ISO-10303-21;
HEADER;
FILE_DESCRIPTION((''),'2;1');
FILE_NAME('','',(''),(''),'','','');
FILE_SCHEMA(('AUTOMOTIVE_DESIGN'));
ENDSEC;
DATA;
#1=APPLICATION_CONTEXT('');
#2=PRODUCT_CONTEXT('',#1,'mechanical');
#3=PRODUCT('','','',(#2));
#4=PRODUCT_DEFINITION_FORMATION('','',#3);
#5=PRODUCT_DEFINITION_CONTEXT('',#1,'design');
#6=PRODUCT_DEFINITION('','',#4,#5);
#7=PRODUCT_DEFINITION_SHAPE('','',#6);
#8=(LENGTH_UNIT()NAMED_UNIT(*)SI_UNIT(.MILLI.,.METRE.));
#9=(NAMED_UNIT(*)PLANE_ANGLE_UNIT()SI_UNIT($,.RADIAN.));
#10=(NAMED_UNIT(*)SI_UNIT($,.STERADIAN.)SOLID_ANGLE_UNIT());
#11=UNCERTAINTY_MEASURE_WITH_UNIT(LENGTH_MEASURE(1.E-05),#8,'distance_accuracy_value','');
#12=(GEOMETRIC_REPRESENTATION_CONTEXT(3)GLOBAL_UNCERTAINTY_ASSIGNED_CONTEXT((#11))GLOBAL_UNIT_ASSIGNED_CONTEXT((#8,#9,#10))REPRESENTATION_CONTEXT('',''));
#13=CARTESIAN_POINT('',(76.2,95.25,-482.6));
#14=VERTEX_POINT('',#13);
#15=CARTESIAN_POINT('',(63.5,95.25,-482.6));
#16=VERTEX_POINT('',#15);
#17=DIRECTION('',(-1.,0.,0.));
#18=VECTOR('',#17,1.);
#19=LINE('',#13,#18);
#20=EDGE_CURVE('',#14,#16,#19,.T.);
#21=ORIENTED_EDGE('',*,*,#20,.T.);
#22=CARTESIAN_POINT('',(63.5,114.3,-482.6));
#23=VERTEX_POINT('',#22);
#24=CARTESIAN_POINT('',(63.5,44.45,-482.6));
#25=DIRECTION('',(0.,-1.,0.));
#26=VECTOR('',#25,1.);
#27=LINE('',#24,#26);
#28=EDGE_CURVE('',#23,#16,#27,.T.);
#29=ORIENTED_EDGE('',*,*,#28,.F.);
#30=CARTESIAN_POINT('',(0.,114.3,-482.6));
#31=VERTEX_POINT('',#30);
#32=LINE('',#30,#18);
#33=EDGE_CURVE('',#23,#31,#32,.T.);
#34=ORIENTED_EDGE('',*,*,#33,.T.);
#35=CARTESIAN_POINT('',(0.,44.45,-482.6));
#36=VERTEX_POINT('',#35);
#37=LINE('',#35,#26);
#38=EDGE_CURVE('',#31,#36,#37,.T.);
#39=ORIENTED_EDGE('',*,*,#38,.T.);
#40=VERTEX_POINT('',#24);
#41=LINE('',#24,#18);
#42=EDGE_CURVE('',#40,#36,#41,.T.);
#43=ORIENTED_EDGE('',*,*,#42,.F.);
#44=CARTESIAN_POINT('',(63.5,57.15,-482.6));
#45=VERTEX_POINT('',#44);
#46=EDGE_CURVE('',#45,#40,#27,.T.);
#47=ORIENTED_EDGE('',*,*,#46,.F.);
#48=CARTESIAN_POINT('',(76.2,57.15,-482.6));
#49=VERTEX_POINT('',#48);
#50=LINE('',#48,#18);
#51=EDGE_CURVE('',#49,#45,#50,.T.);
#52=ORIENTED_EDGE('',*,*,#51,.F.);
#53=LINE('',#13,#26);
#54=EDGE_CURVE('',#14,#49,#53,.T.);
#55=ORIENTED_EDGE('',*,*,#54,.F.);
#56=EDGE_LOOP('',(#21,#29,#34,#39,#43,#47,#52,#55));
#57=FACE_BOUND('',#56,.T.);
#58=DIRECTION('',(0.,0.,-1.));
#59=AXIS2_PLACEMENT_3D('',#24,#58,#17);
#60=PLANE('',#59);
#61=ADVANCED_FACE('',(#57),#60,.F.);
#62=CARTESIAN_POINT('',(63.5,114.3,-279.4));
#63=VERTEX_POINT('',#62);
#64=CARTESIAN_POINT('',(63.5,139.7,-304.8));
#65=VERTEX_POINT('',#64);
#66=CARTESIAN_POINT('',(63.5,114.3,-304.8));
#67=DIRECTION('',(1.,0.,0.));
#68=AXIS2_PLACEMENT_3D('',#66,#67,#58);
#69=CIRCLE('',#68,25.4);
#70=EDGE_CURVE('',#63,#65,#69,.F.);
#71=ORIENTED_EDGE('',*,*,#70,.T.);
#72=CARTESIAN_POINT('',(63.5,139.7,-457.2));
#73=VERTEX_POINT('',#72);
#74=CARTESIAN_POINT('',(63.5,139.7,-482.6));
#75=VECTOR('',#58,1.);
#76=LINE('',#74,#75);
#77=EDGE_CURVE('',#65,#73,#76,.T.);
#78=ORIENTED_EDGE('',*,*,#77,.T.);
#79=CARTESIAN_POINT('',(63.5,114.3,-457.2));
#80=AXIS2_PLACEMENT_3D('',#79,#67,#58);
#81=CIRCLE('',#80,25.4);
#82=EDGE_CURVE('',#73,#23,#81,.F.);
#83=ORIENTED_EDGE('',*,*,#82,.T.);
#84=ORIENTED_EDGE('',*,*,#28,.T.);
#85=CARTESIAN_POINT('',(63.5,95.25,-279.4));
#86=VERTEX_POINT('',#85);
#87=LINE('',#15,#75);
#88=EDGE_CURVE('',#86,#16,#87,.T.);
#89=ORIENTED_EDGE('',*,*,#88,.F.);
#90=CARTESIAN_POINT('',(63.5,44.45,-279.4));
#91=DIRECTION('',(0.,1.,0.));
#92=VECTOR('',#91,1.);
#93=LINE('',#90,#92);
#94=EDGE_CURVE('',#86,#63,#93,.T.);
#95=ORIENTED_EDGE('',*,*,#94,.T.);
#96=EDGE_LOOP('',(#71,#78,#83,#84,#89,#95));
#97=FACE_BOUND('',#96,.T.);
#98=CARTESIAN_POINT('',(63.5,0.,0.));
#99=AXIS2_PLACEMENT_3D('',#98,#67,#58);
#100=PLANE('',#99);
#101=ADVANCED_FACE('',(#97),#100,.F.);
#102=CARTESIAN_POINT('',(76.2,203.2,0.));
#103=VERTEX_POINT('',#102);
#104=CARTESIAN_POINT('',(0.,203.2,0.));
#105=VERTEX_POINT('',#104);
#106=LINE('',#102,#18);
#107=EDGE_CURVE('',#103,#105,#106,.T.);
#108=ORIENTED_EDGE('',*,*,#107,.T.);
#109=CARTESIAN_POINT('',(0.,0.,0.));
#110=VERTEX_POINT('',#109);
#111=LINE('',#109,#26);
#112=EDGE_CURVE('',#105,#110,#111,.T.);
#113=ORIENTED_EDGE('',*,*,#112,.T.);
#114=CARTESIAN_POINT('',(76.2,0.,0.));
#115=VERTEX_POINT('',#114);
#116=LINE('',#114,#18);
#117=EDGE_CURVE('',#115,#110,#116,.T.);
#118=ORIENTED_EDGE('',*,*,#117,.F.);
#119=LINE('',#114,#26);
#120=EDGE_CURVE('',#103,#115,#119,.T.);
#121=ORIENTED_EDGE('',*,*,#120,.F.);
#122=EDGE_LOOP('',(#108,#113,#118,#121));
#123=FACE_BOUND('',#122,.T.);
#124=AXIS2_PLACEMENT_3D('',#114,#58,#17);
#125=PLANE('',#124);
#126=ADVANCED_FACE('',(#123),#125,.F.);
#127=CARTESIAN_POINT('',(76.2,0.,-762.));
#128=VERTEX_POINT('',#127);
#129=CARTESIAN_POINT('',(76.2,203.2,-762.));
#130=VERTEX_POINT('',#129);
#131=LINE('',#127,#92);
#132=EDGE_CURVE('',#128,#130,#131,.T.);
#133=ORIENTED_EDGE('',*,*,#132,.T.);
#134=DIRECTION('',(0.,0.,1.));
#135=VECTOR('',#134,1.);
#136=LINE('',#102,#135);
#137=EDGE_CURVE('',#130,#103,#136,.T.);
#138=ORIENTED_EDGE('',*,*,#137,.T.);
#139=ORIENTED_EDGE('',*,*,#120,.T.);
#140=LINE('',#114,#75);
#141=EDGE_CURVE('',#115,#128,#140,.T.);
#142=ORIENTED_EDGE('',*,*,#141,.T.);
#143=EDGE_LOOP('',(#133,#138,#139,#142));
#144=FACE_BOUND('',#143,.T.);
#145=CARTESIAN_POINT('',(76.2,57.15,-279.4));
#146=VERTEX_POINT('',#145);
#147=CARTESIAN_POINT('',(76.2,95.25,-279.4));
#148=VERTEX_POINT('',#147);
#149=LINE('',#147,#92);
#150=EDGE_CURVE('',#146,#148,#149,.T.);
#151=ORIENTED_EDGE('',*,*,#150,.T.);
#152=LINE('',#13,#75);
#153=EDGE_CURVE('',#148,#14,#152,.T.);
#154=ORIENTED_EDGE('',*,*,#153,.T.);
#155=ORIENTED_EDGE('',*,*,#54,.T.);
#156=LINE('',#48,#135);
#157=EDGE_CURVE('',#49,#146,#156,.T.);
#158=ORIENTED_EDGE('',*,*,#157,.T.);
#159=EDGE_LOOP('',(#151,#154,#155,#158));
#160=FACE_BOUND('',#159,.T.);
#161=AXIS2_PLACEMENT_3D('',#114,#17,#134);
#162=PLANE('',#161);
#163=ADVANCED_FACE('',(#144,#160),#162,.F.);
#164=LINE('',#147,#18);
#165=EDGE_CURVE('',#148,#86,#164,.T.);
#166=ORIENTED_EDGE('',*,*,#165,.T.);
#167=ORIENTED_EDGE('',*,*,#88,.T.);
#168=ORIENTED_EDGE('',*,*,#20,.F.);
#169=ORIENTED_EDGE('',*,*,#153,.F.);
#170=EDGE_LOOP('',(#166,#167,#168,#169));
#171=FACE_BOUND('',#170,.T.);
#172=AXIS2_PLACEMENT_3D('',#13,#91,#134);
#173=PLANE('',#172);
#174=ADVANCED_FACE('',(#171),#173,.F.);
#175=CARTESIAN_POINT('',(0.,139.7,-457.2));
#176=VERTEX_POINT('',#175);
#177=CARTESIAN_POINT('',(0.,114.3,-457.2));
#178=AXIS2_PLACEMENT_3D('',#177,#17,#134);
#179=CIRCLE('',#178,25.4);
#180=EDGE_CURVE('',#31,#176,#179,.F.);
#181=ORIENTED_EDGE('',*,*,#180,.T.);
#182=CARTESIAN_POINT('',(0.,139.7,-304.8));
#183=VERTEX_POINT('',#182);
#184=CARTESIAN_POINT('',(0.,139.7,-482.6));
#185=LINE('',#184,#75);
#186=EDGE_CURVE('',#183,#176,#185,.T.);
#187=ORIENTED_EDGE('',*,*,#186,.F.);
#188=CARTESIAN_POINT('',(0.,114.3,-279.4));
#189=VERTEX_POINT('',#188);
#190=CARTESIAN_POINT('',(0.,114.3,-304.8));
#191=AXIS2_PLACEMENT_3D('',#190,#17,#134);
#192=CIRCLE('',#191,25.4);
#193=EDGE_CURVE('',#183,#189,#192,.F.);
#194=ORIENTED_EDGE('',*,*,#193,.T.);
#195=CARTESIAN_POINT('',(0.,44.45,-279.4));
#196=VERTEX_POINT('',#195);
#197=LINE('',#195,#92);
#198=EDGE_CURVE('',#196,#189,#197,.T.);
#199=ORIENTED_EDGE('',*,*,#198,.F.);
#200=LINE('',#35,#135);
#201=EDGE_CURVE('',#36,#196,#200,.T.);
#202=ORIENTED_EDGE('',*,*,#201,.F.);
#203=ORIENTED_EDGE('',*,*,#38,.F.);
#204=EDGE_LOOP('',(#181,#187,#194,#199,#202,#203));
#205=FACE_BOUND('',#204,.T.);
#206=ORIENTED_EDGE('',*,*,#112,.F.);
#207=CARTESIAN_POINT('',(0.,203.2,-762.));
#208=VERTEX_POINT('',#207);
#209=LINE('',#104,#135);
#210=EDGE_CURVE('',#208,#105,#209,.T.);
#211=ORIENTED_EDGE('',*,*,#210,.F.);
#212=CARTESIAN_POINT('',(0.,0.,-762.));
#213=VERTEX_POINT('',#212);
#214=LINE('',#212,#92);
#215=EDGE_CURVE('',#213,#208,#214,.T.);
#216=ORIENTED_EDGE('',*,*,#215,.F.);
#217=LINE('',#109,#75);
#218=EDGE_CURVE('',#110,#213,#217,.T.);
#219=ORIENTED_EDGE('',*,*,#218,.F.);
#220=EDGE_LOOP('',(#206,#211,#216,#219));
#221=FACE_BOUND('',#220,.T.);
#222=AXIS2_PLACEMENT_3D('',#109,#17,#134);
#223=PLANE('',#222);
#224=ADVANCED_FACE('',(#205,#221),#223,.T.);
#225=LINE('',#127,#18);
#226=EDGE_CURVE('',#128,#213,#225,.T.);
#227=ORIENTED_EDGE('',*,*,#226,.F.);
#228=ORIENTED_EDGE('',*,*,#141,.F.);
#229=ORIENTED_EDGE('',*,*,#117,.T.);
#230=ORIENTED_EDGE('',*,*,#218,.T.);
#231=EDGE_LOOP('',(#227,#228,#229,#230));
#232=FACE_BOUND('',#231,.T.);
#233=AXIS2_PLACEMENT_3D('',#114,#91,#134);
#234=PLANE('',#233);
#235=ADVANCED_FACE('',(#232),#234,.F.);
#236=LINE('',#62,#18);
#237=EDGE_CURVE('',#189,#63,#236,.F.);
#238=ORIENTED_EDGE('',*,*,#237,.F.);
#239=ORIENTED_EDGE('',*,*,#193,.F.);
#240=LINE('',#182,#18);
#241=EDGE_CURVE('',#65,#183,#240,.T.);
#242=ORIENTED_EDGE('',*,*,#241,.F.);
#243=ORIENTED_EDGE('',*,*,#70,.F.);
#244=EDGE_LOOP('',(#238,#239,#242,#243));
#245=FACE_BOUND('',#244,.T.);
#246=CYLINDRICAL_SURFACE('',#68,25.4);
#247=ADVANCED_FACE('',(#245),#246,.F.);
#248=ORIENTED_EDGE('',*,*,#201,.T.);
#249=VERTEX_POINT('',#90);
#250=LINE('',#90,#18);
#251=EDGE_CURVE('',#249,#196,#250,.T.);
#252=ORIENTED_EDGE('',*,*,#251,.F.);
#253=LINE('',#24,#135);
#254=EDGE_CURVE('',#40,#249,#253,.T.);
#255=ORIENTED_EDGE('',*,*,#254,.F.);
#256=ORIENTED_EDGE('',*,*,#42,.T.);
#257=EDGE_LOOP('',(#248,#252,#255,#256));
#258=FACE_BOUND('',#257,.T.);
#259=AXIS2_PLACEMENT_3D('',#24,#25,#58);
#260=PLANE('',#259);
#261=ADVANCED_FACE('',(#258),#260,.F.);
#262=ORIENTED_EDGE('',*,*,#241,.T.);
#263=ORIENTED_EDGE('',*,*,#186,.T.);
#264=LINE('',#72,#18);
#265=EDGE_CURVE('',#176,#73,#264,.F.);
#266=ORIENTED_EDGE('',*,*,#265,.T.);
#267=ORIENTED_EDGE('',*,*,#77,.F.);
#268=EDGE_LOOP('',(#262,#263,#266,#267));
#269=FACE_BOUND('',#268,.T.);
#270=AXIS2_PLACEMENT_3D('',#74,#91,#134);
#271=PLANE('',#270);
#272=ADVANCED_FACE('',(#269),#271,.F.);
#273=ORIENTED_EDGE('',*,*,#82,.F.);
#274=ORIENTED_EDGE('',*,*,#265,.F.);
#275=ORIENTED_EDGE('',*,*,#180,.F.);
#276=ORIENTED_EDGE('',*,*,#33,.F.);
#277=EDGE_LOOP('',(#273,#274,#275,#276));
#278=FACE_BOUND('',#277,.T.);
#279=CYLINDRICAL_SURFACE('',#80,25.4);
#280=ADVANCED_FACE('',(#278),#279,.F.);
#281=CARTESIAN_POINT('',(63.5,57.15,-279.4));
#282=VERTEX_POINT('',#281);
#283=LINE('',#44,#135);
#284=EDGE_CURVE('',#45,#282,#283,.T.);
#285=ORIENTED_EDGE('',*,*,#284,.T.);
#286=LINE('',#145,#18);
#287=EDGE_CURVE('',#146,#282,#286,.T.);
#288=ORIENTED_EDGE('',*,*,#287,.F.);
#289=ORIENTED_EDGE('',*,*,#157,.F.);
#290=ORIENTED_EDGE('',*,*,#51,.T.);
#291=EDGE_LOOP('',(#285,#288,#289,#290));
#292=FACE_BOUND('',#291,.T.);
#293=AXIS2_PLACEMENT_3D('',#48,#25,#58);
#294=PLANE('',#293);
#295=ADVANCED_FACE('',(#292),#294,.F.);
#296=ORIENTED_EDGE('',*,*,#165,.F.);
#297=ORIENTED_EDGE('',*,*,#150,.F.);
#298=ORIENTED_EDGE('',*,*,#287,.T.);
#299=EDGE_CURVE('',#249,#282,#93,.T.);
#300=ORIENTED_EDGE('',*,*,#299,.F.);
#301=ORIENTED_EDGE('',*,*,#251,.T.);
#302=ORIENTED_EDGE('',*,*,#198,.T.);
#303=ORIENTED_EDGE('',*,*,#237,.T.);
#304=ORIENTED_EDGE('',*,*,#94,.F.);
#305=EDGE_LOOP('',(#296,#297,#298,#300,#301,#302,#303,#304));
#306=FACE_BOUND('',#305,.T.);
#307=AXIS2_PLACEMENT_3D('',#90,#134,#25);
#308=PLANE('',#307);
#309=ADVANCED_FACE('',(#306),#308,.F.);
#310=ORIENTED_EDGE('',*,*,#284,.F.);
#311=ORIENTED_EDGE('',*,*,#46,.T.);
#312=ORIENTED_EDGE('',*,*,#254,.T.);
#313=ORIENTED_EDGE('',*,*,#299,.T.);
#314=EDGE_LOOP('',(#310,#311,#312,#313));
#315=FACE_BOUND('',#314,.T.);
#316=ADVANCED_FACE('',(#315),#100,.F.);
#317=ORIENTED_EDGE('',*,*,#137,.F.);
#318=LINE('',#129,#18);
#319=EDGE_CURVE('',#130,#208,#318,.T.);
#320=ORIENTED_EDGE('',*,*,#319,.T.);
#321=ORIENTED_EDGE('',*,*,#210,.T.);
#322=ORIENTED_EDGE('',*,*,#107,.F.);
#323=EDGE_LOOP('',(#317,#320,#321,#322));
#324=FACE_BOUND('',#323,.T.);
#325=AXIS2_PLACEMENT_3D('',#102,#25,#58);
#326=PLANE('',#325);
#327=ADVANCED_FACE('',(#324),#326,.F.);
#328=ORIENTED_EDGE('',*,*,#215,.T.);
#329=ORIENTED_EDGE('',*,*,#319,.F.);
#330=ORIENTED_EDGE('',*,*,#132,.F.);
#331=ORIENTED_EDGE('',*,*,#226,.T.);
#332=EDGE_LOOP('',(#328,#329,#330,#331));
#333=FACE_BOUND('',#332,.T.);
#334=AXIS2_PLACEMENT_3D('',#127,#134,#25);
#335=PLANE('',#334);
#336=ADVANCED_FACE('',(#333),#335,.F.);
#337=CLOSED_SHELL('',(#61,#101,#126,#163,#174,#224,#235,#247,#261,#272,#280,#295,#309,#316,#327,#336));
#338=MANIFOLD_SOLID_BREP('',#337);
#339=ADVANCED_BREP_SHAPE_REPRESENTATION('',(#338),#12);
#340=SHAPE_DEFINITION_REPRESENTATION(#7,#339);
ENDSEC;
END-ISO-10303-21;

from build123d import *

# Parameters (mm, degrees)
SKETCH1_W           = 762
SKETCH1_H           = 203.2
BOSS_EXTRUDE1_DEPTH = 76.2
SKETCH2_W           = 203.2
SKETCH2_H           = 95.25
CUT_EXTRUDE1_DEPTH  = 63.5
SKETCH3_W           = 203.2
SKETCH3_H           = 38.1
CUT_EXTRUDE2_DEPTH  = 792.18044086
FILLET1_R           = 25.4


with BuildPart() as part:
    # Sketch1 → Boss-Extrude1 (new body)
    with BuildSketch(Plane(origin=(0, 0, 0), x_dir=(0, 0, -1), z_dir=(1, 0, 0))):
        with Locations((381, 101.6)):
            Rectangle(SKETCH1_W, SKETCH1_H)
    extrude(amount=BOSS_EXTRUDE1_DEPTH)

    # Sketch2 → Cut-Extrude1 (cut)
    with BuildSketch(Plane.ZY):
        with Locations((-381, 92.075)):
            Rectangle(SKETCH2_W, SKETCH2_H)
    extrude(amount=-CUT_EXTRUDE1_DEPTH, mode=Mode.SUBTRACT)

    # Sketch3 → Cut-Extrude2 (cut, through all)
    with BuildSketch(Plane.ZY.offset(-63.5)):
        with Locations((-381, 76.2)):
            Rectangle(SKETCH3_W, SKETCH3_H)
    extrude(amount=-CUT_EXTRUDE2_DEPTH, mode=Mode.SUBTRACT)

    # Fillet1
    fillet1_edges = [part.edges().sort_by_distance(p)[0] for p in [
        (31.75, 139.7, -482.6),
        (31.75, 139.7, -279.4),
    ]]
    fillet(fillet1_edges, radius=FILLET1_R)


solid = part.part
